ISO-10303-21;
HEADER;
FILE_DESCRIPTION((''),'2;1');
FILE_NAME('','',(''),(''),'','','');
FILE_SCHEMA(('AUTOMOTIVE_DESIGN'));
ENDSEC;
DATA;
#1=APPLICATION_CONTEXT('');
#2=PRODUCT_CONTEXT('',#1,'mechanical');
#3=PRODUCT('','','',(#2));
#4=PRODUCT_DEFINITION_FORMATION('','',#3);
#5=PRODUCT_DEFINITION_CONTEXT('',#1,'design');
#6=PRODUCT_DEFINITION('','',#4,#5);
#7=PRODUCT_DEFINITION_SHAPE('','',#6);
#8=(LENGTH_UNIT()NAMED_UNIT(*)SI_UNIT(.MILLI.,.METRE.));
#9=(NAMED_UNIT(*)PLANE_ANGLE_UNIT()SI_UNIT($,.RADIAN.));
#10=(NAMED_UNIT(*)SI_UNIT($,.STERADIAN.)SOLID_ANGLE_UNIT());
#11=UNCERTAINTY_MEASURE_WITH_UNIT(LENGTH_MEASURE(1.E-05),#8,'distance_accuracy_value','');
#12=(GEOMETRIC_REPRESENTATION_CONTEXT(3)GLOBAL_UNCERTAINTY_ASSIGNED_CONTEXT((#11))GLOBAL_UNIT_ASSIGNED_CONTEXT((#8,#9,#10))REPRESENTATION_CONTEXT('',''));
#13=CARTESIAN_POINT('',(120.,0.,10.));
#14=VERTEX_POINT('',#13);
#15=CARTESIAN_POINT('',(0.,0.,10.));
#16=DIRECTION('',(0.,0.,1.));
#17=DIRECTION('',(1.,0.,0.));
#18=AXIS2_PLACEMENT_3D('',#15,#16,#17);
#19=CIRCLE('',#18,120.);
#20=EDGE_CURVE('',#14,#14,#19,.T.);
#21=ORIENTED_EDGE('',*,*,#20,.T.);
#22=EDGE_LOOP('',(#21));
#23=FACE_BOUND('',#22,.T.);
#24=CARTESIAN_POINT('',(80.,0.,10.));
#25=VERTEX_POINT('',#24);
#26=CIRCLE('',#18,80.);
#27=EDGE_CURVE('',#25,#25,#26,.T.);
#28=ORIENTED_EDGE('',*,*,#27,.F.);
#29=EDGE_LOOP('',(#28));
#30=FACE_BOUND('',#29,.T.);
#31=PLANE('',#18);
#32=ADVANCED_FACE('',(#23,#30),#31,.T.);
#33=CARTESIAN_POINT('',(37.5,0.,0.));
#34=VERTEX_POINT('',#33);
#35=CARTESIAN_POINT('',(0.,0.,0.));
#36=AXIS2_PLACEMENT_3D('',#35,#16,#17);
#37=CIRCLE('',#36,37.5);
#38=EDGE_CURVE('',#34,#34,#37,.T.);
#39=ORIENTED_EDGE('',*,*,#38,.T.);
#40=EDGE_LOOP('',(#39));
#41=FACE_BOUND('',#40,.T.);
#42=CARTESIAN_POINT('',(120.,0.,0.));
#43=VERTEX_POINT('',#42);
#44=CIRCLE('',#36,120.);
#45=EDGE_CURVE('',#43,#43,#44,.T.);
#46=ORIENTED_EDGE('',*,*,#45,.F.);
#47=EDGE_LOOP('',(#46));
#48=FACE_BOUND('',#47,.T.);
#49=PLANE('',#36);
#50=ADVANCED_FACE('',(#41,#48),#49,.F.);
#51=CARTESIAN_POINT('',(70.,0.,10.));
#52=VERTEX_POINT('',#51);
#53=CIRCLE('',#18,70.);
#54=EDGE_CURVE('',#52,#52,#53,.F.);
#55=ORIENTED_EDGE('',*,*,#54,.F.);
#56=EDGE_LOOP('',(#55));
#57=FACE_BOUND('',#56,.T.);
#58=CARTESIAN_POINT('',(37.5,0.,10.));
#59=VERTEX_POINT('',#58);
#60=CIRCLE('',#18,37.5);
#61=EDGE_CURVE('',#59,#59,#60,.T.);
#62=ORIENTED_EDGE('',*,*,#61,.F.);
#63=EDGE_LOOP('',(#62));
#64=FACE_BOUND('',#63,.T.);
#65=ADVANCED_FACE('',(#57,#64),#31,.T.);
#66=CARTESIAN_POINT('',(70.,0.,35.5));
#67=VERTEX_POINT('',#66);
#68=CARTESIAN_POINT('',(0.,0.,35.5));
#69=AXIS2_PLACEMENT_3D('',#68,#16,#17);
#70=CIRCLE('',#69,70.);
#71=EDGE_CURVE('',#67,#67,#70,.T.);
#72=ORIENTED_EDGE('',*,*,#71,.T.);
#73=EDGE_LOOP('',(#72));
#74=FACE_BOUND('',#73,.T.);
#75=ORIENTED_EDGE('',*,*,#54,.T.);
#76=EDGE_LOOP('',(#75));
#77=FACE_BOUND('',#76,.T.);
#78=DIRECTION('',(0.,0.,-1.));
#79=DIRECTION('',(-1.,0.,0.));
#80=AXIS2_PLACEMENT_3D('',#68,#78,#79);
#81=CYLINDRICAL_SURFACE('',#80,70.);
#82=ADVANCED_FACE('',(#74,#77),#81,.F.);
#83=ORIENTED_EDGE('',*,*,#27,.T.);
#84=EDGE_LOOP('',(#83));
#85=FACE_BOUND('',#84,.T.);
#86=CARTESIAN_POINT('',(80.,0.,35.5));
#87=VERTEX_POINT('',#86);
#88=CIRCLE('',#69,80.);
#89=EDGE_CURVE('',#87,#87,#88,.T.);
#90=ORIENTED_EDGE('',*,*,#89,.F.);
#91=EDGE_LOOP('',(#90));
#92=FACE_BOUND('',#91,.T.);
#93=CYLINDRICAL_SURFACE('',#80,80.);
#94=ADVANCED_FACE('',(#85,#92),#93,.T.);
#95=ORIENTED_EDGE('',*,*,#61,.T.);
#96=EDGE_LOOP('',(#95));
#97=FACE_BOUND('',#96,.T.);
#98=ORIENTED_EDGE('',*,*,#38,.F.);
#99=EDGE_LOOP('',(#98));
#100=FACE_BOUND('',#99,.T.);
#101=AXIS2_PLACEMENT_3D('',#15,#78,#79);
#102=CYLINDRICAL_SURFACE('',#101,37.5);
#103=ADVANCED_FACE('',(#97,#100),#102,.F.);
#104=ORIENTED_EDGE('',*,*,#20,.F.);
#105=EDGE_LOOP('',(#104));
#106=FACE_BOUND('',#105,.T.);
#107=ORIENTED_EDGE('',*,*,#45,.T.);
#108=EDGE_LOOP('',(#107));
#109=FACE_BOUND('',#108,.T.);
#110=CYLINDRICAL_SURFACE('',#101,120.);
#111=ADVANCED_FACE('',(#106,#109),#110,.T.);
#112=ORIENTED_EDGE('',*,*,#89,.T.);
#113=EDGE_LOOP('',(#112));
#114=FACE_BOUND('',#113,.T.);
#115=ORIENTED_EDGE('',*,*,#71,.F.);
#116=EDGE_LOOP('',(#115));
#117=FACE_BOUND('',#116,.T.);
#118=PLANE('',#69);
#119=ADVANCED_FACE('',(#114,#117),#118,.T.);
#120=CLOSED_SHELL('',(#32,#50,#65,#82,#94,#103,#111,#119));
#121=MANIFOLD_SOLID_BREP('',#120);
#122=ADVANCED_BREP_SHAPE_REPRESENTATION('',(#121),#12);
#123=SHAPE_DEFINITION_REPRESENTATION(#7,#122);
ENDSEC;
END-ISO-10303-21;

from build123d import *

# Parameters (mm, degrees)
SKETCH_1_R      = 120
SKETCH_1_R_2    = 37.5
EXTRUDE_1_DEPTH = 10
SKETCH_2_R      = 80
SKETCH_2_R_2    = 70
EXTRUDE_2_DEPTH = 25.5


with BuildPart() as part:
    # 草图1 → 拉伸1 (new body)
    with BuildSketch(Plane.XY):
        Circle(SKETCH_1_R)
        Circle(SKETCH_1_R_2, mode=Mode.SUBTRACT)
    extrude(amount=EXTRUDE_1_DEPTH)

    # 草图2 → 拉伸2 (add)
    with BuildSketch(Plane.XY.offset(10)):
        Circle(SKETCH_2_R)
        Circle(SKETCH_2_R_2, mode=Mode.SUBTRACT)
    extrude(amount=EXTRUDE_2_DEPTH)


solid = part.part
